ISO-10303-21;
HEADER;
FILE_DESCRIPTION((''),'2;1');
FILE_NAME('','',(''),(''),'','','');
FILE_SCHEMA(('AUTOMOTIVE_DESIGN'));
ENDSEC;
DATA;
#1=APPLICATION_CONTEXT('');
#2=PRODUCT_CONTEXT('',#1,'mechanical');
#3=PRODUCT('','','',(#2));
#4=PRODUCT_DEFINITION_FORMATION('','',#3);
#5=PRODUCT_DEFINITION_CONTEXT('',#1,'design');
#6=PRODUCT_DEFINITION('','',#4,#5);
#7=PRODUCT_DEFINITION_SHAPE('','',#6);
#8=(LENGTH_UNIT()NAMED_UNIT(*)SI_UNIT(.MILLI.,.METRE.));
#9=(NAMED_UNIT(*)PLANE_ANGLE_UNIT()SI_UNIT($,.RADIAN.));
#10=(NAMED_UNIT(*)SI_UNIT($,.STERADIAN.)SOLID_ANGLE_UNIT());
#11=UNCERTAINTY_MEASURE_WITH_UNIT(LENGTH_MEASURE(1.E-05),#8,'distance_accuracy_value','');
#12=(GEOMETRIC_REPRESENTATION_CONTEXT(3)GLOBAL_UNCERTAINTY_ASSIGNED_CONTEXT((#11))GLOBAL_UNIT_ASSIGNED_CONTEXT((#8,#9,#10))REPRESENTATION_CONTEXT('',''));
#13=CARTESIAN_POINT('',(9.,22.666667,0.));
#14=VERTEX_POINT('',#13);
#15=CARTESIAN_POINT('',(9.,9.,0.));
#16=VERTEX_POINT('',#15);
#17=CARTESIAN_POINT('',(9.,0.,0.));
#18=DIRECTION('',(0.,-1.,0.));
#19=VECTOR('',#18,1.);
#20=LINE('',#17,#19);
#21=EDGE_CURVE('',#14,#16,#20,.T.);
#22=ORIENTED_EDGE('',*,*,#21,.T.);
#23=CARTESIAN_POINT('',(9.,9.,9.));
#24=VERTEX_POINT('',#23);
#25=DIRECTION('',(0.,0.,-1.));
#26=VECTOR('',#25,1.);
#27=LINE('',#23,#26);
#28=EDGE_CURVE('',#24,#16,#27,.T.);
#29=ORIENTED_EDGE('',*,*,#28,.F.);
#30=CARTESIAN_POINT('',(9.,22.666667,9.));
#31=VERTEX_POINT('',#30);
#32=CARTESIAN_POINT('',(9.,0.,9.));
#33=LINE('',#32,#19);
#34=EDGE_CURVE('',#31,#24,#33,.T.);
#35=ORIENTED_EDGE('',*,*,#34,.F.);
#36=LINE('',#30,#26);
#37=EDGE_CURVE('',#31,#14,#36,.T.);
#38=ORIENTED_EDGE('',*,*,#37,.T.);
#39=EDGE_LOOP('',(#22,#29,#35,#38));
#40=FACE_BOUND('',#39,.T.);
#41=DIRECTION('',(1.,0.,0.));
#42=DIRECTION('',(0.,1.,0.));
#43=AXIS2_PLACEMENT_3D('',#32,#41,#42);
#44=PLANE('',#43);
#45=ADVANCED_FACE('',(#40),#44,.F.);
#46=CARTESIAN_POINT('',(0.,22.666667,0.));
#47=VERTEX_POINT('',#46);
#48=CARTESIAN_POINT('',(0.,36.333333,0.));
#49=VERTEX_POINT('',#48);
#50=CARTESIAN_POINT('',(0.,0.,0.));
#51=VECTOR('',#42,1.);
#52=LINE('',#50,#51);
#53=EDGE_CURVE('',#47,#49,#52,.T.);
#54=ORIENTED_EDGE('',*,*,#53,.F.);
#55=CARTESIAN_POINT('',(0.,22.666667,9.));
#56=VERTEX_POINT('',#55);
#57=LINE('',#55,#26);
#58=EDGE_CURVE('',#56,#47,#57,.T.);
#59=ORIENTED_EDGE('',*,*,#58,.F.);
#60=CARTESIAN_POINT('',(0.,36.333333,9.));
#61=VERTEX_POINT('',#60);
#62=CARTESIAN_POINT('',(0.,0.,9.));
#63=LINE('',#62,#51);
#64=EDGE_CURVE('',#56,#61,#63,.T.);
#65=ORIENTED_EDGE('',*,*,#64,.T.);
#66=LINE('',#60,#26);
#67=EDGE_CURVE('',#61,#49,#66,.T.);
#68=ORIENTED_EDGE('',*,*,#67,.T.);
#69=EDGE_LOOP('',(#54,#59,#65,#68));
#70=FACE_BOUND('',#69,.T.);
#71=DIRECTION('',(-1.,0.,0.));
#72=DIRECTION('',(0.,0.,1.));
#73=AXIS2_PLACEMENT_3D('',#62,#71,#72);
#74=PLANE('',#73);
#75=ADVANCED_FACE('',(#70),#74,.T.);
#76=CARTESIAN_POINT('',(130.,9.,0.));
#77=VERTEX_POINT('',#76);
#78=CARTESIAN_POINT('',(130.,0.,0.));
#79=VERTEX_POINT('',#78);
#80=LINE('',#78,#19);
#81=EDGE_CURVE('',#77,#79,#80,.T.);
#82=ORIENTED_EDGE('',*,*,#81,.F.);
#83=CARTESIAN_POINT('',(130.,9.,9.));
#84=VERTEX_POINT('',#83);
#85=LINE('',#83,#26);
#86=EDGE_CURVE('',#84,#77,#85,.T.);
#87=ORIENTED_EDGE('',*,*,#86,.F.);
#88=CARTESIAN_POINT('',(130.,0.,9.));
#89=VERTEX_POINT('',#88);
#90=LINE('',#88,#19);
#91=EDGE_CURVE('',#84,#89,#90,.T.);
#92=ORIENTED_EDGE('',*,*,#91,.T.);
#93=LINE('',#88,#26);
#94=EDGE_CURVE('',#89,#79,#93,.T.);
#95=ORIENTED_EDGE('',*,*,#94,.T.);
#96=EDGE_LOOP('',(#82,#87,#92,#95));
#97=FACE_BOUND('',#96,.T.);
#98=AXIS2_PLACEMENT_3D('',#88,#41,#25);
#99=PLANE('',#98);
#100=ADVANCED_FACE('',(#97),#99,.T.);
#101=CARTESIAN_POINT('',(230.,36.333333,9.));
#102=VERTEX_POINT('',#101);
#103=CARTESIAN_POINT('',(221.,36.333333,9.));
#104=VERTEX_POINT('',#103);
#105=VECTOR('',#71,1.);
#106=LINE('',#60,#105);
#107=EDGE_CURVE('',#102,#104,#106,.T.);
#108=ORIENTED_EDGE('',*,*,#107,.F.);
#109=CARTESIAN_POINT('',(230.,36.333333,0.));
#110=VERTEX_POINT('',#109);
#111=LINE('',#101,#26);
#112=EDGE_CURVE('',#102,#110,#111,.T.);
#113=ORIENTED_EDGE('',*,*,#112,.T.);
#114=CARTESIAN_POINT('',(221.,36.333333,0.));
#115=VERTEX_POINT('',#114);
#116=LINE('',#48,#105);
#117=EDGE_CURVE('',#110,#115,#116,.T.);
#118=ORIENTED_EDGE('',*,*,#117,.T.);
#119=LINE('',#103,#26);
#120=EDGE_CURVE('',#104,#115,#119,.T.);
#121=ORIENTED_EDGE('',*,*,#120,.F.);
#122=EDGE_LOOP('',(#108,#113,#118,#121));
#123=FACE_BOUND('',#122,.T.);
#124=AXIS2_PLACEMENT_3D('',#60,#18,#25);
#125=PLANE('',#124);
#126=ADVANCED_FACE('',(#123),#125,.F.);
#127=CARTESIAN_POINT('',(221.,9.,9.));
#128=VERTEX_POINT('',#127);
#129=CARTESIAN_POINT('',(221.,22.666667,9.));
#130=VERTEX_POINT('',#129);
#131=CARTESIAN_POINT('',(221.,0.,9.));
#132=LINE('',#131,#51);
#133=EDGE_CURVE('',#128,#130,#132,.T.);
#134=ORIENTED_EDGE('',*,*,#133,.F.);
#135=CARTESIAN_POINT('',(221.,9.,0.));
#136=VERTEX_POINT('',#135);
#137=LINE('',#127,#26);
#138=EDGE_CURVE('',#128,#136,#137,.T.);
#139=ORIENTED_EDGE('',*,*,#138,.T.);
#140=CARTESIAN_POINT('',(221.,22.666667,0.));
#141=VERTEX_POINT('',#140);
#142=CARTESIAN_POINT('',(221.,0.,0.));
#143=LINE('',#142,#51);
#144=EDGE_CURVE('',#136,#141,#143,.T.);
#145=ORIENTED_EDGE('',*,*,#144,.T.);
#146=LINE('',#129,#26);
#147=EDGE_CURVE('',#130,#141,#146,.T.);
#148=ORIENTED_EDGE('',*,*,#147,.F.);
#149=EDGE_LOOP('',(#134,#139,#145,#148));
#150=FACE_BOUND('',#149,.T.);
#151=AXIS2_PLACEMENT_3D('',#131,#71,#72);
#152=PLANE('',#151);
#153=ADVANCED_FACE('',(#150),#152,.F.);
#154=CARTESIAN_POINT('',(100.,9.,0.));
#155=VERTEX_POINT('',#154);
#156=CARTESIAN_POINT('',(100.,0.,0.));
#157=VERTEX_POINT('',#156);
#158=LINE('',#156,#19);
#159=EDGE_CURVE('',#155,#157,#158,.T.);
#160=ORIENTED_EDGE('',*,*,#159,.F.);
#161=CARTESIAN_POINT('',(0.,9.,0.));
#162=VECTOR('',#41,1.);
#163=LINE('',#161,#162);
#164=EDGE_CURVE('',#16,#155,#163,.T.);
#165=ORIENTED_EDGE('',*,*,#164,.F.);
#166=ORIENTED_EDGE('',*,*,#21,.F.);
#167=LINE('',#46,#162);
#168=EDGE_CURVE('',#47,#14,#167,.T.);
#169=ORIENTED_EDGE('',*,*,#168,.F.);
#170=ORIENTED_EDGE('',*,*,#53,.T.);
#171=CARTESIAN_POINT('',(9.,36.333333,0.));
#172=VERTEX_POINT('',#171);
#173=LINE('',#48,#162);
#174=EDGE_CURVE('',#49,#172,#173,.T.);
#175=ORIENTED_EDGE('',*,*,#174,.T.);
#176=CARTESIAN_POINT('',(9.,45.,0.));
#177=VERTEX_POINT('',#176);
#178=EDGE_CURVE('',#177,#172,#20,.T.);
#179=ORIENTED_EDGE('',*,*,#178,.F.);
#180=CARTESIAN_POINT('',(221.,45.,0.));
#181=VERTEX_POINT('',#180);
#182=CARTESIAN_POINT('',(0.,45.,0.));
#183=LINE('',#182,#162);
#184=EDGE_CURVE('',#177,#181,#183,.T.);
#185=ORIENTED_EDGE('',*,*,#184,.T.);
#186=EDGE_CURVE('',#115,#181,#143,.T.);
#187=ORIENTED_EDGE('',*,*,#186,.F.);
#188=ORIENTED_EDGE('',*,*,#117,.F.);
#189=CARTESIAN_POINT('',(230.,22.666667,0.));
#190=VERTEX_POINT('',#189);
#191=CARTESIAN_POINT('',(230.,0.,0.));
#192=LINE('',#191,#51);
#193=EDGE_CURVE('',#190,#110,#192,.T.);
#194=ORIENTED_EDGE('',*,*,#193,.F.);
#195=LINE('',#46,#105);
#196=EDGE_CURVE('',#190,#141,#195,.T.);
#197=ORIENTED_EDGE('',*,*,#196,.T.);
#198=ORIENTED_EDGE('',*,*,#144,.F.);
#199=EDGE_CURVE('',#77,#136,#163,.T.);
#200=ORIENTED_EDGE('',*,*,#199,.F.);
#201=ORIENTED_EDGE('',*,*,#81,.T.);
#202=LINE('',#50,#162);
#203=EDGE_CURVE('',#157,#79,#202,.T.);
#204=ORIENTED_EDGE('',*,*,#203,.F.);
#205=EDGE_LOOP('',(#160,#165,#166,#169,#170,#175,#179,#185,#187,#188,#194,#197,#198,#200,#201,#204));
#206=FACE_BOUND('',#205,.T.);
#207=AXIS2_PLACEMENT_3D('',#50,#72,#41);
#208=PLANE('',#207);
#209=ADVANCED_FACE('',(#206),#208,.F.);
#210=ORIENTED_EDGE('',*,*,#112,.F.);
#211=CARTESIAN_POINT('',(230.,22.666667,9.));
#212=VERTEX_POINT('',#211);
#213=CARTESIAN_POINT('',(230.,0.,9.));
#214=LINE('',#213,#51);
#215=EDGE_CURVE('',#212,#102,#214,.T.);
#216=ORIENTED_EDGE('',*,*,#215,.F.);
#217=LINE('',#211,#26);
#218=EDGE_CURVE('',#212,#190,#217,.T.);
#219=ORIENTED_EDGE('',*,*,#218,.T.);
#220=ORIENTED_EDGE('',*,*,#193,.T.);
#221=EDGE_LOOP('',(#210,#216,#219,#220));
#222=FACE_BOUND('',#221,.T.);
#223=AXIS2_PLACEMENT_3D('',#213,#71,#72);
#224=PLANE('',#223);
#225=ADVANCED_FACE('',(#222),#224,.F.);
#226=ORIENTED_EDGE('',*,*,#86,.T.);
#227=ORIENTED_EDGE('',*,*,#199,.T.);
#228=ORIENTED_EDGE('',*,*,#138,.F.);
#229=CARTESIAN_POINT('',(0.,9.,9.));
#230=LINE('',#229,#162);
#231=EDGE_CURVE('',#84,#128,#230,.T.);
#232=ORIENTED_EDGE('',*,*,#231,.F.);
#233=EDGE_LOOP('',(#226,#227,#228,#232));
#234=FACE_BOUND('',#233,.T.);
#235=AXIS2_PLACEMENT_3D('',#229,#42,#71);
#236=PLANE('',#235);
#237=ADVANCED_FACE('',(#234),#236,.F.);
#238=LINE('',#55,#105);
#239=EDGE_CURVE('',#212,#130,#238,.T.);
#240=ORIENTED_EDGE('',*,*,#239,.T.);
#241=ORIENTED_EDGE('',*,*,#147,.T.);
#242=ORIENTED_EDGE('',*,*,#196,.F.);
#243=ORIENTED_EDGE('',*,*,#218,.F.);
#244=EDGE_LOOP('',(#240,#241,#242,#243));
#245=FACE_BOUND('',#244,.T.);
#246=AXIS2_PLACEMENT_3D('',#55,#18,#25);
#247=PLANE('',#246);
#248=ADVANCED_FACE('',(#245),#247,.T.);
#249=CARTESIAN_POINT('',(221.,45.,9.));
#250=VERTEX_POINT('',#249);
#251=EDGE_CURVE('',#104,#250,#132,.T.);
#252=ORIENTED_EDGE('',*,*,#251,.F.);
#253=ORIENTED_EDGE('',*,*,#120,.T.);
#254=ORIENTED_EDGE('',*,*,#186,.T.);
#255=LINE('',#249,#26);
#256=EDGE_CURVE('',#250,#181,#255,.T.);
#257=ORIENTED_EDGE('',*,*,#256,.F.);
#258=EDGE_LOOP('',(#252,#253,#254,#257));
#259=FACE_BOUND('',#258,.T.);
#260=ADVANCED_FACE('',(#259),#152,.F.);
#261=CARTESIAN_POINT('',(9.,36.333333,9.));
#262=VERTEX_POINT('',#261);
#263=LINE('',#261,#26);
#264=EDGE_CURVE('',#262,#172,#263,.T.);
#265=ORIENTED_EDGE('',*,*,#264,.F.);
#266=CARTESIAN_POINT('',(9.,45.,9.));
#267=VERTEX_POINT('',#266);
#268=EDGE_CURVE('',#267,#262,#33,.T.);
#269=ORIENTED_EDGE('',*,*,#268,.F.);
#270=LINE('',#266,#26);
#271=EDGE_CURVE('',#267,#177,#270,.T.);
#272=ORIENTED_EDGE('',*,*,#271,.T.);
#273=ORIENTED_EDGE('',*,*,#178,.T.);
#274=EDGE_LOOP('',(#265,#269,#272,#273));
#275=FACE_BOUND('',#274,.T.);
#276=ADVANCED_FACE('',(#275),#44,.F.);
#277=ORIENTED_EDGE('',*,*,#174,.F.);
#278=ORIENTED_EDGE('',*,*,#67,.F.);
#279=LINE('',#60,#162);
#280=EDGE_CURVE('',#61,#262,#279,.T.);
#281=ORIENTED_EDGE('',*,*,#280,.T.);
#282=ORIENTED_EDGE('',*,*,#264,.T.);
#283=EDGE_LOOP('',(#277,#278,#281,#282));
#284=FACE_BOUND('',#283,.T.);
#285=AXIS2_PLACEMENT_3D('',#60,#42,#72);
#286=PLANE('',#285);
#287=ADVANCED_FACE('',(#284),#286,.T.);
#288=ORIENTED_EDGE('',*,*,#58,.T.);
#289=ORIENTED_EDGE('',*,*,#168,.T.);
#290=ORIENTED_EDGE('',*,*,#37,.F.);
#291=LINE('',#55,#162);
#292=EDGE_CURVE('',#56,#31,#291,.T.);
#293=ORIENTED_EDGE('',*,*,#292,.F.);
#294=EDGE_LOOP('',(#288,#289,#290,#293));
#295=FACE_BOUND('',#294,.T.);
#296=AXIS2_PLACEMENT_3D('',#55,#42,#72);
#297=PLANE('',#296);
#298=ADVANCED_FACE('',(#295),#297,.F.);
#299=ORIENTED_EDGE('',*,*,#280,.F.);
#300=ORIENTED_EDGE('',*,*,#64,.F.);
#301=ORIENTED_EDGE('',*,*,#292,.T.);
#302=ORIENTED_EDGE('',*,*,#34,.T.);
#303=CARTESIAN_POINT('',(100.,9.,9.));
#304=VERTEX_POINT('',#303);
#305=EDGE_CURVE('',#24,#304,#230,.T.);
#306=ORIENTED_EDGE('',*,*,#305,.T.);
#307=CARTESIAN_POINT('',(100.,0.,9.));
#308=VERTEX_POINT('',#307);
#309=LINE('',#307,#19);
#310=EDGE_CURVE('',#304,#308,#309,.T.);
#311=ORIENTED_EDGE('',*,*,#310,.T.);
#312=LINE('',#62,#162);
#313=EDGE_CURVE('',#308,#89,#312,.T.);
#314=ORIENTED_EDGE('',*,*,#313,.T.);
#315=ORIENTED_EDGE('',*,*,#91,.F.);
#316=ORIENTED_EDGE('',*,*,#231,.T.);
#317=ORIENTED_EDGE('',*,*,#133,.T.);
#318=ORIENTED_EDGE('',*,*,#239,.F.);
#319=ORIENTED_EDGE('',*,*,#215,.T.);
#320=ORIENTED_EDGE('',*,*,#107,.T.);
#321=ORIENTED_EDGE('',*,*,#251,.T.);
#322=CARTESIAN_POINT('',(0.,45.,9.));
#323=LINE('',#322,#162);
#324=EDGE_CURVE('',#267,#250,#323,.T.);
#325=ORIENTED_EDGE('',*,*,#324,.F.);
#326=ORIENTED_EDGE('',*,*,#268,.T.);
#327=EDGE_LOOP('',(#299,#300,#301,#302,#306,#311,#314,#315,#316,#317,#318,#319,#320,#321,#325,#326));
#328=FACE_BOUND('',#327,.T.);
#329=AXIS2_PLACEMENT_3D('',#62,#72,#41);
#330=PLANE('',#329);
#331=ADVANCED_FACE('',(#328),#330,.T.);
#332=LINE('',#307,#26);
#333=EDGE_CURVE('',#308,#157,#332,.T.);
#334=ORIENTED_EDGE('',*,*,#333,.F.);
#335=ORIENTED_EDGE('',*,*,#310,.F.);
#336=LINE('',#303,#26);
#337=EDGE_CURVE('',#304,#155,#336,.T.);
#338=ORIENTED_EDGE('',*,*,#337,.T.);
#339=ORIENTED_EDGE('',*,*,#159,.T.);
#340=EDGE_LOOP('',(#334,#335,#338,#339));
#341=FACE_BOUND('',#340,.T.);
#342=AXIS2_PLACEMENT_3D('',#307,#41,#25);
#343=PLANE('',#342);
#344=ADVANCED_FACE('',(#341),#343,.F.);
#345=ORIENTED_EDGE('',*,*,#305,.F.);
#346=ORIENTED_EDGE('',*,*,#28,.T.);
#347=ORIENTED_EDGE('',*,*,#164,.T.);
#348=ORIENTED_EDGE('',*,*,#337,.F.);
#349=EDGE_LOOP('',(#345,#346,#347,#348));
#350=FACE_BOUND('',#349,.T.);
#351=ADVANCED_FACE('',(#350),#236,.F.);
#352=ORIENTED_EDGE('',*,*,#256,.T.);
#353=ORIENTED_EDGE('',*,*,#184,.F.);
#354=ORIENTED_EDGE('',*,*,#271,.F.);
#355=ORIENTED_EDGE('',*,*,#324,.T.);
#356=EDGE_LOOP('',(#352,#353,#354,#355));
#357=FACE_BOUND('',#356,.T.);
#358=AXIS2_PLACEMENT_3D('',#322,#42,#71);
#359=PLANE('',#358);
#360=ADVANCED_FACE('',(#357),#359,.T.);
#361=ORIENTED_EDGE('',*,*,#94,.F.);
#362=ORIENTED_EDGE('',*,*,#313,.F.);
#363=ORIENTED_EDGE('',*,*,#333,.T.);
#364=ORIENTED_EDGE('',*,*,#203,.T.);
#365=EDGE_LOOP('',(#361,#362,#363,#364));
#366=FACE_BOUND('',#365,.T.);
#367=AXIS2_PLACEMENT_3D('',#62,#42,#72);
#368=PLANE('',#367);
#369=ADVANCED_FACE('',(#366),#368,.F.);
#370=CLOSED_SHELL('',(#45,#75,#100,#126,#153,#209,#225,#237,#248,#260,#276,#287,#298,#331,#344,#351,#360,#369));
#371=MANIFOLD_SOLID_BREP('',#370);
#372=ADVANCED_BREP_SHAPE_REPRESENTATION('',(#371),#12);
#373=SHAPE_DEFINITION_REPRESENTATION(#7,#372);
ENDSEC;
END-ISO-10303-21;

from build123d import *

# Parameters (mm, degrees)
SKETCH1_W           = 9
SKETCH1_H           = 13.666666666
SKETCH1_W_2         = 30
SKETCH1_H_2         = 9
BOSS_EXTRUDE1_DEPTH = 9


with BuildPart() as part:
    # Sketch1 → Boss-Extrude1 (new body)
    with BuildSketch(Plane.XY):
        Polygon((9, 9), (100, 9), (130, 9), (221, 9), (221, 22.666666667), (221, 36.333333333), (221, 45), (9, 45), (9, 36.333333333), (9, 22.666666667), align=None)
        with Locations((4.5, 29.5)):
            Rectangle(SKETCH1_W, SKETCH1_H)
        with Locations((115, 4.5)):
            Rectangle(SKETCH1_W_2, SKETCH1_H_2)
        with Locations((225.5, 29.5)):
            Rectangle(SKETCH1_W, SKETCH1_H)
    extrude(amount=BOSS_EXTRUDE1_DEPTH)


solid = part.part
